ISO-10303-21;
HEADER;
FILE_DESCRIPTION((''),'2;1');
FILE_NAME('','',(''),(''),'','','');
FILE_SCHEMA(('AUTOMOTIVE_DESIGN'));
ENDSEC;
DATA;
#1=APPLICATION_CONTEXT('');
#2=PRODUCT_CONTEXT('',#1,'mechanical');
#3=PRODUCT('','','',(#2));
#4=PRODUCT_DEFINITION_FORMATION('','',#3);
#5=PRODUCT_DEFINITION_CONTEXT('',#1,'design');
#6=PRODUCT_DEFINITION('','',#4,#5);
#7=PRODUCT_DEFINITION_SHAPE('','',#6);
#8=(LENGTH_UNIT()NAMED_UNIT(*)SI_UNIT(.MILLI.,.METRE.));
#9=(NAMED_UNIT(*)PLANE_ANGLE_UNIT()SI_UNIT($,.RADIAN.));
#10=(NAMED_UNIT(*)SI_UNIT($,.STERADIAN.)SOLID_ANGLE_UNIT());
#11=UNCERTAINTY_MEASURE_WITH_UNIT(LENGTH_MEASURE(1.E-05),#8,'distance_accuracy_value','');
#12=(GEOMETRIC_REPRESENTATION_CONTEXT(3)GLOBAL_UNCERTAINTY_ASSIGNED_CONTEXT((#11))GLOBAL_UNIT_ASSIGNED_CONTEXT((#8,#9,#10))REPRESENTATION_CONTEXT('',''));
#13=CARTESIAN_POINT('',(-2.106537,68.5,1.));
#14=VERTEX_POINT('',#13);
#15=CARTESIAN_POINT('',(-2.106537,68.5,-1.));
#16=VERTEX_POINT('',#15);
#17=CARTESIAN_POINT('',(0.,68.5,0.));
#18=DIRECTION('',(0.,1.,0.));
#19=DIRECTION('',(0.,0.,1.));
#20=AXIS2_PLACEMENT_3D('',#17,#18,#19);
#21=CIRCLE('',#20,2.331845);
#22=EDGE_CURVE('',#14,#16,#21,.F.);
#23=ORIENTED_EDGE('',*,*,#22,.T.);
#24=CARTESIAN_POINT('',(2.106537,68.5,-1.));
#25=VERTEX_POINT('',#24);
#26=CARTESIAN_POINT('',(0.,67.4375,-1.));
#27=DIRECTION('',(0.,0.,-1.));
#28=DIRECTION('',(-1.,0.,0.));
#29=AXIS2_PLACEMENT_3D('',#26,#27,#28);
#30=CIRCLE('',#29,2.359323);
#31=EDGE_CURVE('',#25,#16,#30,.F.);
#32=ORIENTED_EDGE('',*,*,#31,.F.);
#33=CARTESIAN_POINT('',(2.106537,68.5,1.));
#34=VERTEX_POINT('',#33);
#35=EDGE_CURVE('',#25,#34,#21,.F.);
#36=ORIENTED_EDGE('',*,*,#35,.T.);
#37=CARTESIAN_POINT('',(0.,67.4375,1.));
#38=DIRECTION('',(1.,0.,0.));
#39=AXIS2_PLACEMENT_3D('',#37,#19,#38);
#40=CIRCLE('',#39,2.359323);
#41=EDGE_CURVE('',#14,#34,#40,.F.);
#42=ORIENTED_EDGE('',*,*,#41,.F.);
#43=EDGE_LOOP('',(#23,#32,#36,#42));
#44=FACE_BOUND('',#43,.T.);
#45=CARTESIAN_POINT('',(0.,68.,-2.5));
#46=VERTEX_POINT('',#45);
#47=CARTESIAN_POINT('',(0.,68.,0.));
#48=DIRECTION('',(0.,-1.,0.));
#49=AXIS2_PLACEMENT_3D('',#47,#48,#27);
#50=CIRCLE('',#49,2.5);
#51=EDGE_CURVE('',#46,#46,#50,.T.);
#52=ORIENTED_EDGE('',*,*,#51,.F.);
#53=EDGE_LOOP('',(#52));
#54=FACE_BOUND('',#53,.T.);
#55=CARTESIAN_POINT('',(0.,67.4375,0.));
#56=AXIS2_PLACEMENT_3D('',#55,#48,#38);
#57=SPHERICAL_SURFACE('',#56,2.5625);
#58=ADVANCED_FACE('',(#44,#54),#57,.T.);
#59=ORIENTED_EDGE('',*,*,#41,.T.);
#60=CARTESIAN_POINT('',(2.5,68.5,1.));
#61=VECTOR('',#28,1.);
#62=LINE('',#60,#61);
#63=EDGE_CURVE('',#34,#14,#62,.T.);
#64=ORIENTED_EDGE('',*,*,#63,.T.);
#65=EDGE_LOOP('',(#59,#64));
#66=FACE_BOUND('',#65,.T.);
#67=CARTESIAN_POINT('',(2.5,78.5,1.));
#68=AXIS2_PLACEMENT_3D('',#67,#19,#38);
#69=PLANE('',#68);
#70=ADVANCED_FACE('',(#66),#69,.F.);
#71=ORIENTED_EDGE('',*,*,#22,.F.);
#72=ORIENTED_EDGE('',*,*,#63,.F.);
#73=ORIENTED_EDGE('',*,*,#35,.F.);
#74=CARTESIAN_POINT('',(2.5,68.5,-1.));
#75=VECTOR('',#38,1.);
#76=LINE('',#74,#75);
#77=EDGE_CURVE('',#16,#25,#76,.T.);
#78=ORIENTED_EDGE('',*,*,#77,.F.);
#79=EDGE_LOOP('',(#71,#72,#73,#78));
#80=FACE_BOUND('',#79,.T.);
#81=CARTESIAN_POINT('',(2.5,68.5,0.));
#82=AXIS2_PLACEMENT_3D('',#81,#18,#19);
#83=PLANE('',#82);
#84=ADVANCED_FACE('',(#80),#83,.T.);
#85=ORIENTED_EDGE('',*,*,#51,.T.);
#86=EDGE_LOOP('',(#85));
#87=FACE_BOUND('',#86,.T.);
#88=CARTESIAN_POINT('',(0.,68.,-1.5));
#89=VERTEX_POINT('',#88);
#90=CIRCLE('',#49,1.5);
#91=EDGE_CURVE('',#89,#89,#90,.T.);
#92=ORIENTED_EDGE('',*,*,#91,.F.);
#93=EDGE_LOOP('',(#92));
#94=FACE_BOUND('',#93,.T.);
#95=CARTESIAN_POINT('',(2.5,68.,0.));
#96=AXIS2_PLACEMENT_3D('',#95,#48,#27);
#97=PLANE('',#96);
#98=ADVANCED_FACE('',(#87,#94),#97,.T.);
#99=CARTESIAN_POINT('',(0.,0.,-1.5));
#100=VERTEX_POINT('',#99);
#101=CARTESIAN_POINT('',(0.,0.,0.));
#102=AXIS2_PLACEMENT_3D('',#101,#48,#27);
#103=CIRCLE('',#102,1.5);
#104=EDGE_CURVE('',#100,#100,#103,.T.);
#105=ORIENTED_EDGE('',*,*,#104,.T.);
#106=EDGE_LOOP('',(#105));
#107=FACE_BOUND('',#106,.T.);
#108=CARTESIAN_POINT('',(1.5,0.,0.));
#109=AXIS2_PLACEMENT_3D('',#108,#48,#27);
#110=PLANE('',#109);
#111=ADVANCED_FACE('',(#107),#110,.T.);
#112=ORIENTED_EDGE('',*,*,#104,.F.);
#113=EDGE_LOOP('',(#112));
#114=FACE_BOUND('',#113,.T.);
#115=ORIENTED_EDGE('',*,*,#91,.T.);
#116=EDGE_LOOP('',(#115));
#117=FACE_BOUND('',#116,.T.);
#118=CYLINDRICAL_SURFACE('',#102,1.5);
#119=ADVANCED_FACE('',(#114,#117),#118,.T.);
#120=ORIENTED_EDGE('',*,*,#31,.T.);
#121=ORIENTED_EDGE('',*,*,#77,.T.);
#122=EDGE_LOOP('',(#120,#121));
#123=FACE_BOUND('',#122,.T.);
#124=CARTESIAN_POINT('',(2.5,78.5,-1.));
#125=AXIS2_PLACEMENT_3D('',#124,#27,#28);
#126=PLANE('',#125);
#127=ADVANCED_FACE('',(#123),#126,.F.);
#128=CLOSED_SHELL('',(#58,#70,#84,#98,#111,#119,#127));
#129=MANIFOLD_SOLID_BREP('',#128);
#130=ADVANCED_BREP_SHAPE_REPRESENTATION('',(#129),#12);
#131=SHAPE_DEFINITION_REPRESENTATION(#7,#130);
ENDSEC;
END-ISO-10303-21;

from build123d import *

# Parameters (mm, degrees)
ENL_V_START             = -0.5
ENL_V_MAT_EXTRU_1_DEPTH = 10


with BuildPart() as part:
    # Esquisse1 → Révolution1 (revolve)
    with BuildSketch(Plane.XY):
        with BuildLine():
            Line((2.5, 68), (1.5, 68))
            Line((1.5, 68), (1.5, 0))
            Line((1.5, 0), (0, 0))
            Line((0, 0), (0, 70))
            ThreePointArc((0, 70), (1.600781059, 69.438476324), (2.5, 68))
        make_face()
    revolve(axis=Axis((0, 0, 0), (0, 1, 0)))

    # Esquisse2 → Enlèv. mat.-Extru.1 (cut)
    with BuildSketch(Plane.XZ.offset(-68).offset(ENL_V_START)):
        with BuildLine():
            Line((2.5, 1), (-4.803104299, 1))
            ThreePointArc((-4.803104299, 1), (-5.803104299, 0), (-4.803104299, -1))
            Line((-4.803104299, -1), (2.5, -1))
            ThreePointArc((2.5, -1), (3.5, 0), (2.5, 1))
        make_face()
    extrude(amount=-ENL_V_MAT_EXTRU_1_DEPTH, mode=Mode.SUBTRACT)


solid = part.part
